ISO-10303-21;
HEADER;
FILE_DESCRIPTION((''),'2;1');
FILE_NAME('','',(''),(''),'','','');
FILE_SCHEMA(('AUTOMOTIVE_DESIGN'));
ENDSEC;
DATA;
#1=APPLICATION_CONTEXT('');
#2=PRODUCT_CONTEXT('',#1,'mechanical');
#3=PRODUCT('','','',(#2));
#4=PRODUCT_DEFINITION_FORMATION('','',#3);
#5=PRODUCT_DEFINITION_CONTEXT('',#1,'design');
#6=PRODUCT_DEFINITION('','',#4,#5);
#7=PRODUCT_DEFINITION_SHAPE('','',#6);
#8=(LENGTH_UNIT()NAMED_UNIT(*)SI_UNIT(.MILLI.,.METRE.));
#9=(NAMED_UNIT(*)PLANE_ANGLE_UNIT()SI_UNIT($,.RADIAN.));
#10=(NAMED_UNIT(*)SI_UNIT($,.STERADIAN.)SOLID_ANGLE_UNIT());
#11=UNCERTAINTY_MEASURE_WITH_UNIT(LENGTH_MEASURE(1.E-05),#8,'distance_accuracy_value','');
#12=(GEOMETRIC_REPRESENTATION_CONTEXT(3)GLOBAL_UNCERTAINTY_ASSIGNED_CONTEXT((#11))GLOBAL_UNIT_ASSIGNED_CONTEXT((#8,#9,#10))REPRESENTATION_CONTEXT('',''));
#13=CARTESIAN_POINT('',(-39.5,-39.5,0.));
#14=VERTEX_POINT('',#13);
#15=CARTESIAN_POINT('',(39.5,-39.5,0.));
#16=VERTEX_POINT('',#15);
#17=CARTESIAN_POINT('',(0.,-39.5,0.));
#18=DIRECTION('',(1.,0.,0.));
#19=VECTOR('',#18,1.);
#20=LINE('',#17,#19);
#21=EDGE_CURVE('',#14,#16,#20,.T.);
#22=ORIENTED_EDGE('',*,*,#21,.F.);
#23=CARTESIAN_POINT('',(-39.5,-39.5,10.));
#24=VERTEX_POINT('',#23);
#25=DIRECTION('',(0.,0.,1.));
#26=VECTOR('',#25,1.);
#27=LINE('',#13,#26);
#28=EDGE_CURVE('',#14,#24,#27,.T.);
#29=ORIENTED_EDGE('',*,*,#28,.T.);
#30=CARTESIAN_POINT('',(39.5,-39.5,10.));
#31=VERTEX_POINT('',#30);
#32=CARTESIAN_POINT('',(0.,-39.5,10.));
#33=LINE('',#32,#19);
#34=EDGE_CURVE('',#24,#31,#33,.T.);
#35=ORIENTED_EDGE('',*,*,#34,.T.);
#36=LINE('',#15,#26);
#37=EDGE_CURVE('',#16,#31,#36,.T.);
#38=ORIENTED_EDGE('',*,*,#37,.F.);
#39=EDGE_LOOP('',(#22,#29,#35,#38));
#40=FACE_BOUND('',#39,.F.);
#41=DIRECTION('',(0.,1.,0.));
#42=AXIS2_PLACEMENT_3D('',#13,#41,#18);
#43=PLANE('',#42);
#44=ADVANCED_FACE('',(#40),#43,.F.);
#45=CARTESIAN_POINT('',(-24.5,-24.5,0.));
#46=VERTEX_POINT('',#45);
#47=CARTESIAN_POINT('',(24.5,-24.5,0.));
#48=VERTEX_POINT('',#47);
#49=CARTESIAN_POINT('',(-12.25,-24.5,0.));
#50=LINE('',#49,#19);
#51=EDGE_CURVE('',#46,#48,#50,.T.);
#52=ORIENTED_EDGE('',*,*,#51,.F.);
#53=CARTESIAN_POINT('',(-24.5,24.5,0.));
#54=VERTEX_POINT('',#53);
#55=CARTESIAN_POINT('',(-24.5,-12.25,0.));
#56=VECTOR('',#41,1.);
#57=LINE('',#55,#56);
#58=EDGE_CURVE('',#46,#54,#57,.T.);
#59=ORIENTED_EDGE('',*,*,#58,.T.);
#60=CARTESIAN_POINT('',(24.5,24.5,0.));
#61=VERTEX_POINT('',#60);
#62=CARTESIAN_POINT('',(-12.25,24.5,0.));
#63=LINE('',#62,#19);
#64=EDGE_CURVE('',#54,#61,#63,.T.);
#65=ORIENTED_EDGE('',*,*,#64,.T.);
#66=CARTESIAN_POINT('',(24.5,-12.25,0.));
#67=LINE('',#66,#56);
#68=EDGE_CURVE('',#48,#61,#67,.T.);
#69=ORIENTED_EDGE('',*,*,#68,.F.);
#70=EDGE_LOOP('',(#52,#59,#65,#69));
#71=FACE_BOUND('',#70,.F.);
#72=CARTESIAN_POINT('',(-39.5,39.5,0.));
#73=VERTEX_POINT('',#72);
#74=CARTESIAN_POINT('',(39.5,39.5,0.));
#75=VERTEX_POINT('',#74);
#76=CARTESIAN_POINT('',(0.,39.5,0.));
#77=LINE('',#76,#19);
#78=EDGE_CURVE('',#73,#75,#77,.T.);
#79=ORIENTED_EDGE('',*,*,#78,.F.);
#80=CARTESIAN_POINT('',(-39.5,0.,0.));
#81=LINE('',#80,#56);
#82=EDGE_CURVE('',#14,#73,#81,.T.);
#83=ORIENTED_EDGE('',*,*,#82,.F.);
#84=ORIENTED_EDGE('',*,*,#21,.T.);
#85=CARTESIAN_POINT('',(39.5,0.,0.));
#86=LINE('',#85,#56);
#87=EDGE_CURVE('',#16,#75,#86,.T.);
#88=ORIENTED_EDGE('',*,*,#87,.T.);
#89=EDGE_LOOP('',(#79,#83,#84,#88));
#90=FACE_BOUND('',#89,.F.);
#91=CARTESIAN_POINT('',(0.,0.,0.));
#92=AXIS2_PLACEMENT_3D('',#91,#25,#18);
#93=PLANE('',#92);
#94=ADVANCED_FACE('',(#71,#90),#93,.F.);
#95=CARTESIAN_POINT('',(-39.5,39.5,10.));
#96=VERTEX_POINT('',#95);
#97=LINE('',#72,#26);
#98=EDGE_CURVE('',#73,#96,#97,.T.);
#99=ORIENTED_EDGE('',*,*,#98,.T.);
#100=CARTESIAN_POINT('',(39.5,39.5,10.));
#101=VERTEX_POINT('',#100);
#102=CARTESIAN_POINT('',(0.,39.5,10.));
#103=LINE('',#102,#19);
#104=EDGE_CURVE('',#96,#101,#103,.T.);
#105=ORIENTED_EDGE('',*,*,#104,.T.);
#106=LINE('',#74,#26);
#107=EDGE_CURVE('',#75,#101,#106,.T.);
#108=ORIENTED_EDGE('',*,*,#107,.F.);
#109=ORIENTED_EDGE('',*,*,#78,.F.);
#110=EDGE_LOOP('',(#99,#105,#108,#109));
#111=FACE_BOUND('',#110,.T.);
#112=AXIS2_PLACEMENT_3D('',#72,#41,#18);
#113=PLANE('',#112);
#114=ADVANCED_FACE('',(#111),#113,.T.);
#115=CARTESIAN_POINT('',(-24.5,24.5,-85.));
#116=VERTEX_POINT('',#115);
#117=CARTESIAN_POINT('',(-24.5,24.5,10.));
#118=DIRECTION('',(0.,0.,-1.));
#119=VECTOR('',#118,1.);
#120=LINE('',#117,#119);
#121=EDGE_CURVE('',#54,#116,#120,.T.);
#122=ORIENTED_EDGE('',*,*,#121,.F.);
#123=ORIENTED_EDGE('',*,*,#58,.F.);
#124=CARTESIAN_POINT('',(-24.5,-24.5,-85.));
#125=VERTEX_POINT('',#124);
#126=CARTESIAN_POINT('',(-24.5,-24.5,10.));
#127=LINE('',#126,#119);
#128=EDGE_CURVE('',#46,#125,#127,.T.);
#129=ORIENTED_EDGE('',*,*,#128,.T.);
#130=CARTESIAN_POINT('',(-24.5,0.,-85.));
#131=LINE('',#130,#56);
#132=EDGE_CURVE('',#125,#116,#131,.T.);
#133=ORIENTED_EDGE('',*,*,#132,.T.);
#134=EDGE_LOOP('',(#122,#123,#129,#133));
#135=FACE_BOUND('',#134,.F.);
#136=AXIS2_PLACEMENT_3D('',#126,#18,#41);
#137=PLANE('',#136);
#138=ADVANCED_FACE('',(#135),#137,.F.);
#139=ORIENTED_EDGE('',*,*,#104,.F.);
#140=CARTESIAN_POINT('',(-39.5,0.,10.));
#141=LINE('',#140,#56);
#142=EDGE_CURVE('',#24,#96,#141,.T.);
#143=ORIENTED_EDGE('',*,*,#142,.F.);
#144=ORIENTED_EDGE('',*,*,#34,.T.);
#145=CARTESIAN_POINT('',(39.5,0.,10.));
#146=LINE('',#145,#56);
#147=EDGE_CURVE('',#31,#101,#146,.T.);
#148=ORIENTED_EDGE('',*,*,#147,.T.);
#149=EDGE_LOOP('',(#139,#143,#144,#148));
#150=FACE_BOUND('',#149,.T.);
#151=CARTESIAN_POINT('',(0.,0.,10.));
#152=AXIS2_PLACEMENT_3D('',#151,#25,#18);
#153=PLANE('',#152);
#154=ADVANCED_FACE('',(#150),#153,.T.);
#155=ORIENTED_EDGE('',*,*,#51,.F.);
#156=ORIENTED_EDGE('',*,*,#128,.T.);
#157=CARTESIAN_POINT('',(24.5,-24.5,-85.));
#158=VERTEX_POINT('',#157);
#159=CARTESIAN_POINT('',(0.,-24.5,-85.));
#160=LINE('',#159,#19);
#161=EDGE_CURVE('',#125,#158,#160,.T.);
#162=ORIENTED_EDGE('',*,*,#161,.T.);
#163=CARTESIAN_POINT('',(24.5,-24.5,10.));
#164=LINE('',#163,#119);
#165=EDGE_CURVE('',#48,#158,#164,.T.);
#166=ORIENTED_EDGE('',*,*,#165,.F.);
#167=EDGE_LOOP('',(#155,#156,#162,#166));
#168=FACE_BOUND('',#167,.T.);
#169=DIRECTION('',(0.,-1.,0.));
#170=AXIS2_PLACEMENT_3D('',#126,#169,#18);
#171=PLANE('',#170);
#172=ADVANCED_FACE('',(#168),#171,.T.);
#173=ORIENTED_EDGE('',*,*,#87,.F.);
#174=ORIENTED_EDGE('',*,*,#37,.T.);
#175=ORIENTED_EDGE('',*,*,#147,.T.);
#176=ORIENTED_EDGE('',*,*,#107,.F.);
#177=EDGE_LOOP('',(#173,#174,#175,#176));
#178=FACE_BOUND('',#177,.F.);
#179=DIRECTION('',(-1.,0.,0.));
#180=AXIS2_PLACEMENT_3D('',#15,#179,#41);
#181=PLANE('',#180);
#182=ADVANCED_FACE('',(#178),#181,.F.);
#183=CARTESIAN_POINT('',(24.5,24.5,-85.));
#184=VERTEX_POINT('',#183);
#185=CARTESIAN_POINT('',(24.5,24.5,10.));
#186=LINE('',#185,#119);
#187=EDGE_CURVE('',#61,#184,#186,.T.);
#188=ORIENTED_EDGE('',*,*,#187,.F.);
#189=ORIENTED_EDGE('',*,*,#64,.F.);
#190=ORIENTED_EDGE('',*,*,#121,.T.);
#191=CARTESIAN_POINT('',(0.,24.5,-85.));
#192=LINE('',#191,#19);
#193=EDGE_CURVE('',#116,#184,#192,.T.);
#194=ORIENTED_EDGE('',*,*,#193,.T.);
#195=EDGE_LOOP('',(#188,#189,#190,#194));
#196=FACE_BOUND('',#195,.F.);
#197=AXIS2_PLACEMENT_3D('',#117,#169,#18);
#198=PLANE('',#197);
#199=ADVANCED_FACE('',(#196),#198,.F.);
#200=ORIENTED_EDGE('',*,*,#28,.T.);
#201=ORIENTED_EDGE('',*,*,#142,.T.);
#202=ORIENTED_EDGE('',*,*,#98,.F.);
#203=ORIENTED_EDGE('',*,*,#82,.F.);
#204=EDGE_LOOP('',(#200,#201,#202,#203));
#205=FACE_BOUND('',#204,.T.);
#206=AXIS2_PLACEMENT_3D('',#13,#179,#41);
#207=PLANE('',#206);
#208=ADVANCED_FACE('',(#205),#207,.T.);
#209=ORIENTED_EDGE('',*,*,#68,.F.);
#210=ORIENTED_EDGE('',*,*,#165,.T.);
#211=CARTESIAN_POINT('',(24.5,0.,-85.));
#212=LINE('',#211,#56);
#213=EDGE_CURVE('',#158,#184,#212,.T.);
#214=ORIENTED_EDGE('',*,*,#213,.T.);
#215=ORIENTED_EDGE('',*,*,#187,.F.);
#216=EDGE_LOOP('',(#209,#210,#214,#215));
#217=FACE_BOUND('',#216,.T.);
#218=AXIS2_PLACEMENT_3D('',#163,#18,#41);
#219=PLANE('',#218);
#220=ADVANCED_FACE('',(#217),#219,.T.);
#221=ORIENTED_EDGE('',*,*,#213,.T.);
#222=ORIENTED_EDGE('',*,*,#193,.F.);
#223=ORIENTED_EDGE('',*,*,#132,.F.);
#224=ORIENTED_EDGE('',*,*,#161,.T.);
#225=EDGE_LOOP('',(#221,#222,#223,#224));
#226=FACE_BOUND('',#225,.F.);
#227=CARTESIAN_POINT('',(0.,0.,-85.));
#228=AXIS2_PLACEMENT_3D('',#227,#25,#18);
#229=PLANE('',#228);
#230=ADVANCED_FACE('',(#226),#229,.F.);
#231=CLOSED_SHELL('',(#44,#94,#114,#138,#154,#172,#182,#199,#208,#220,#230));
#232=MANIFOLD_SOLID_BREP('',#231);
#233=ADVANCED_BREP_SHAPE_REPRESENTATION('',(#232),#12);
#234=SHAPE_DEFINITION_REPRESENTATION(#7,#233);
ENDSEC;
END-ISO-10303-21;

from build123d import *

# Parameters (mm, degrees)
F0_W     = 79
F0_H     = 79
F1_DEPTH = 10
F2_W     = 49
F2_H     = 49
F3_DEPTH = 95


with BuildPart() as f1:
    # F0 (on Top) → F1 (new body)
    with BuildSketch(Plane.XY):
        Rectangle(F0_W, F0_H)
    extrude(amount=F1_DEPTH)

    # F2 (on face) → F3 (join)
    with BuildSketch(Plane.XY.offset(10)):
        Rectangle(F2_W, F2_H)
    extrude(amount=-F3_DEPTH)


solid = f1.part
